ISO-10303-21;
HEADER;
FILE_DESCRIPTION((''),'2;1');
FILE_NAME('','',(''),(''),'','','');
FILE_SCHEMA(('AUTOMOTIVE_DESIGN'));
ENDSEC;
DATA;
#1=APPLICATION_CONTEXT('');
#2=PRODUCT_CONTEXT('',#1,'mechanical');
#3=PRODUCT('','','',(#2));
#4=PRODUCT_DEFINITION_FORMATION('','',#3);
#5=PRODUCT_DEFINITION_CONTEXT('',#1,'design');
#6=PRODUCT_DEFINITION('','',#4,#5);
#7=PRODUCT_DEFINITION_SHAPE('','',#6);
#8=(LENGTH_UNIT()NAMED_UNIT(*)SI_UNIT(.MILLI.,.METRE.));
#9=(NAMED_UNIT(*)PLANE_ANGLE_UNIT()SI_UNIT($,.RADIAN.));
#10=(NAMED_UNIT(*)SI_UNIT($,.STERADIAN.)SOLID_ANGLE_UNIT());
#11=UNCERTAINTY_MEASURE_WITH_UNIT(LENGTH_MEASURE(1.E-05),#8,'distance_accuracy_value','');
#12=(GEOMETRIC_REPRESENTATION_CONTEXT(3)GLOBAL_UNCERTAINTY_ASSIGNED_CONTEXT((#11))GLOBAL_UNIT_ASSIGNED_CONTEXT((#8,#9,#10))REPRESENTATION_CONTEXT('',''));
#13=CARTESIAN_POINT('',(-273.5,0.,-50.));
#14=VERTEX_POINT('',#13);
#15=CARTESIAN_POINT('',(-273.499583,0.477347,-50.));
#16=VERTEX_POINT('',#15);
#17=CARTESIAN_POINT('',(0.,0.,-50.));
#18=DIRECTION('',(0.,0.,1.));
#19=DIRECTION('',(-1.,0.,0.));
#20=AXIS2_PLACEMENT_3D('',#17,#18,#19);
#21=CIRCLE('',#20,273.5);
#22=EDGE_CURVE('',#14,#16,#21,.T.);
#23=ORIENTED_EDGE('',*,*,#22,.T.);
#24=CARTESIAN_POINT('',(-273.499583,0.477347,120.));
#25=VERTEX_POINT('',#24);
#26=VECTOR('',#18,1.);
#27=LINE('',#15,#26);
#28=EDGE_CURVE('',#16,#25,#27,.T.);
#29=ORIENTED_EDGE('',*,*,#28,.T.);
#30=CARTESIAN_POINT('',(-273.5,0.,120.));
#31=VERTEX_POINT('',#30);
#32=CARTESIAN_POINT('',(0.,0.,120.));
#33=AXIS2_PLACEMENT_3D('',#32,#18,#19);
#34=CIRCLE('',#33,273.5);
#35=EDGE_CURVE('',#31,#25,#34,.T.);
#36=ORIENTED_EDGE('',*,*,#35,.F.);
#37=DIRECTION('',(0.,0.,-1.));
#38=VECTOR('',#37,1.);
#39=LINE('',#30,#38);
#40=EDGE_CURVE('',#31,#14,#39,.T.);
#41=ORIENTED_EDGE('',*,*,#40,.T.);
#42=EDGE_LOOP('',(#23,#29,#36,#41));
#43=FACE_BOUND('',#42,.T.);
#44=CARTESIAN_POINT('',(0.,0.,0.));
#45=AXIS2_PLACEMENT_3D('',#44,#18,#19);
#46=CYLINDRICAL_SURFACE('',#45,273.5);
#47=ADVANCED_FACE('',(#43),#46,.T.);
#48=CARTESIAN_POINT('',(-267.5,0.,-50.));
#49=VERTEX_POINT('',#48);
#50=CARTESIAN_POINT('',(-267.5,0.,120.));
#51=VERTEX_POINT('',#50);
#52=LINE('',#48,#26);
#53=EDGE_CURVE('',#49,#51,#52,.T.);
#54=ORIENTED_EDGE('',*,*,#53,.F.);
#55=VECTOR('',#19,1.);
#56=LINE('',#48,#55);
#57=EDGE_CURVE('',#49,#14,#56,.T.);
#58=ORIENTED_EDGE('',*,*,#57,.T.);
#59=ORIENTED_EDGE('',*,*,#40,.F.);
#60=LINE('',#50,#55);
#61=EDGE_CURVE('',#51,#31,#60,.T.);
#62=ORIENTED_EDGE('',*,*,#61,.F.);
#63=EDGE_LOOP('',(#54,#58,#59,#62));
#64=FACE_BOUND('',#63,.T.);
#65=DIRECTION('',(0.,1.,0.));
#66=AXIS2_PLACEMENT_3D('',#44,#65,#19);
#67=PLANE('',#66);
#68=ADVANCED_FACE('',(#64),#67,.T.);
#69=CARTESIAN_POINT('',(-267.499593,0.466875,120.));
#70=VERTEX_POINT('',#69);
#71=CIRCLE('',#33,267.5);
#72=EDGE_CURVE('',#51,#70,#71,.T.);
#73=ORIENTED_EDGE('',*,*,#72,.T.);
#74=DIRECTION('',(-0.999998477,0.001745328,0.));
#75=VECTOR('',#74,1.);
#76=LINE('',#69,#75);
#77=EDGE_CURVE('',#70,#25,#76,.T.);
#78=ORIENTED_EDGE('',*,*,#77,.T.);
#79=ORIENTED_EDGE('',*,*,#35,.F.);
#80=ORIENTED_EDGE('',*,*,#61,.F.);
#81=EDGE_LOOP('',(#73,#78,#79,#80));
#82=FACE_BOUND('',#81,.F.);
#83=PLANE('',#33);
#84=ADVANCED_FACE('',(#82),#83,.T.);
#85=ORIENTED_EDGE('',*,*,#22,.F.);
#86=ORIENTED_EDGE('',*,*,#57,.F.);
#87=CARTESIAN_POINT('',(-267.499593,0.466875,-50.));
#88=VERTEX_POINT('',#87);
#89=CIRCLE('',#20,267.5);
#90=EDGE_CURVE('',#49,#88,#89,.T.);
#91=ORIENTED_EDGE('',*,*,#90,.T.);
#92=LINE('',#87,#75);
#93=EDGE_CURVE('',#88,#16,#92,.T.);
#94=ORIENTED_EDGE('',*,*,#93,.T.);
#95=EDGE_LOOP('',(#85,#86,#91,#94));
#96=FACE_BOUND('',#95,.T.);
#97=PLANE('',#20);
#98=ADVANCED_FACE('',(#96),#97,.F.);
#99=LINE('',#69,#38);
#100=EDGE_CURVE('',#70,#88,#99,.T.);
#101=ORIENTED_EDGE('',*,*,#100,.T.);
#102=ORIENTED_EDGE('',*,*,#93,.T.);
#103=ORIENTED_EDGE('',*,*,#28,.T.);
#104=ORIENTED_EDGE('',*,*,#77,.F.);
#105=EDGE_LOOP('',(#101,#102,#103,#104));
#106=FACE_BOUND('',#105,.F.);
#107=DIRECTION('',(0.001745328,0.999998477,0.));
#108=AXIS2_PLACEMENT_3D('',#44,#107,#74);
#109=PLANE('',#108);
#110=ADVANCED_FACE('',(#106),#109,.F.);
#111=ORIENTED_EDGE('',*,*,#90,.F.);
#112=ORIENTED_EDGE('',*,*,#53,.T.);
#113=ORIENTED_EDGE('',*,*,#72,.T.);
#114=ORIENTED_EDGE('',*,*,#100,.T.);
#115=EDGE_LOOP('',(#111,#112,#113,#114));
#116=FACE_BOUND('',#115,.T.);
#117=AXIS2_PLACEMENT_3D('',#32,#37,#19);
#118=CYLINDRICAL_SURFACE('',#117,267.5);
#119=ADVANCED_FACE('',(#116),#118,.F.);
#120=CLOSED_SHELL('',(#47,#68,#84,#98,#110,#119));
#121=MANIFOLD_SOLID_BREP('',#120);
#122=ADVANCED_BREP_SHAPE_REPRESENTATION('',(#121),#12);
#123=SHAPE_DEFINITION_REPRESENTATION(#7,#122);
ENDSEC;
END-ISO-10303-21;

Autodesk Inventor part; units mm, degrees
ref_plane "YZ Plane" through (0, 0, 0) normal (1, 0, 0) x (0, 1, 0)
ref_plane "XZ Plane" through (0, 0, 0) normal (0, 1, 0) x (-1, 0, 0)
ref_plane "XY Plane" through (0, 0, 0) normal (0, 0, 1) x (1, 0, 0)
sketch "Sketch1" plane through (0, 0, 0) normal (0, 1, 0) x (-1, 0, 0)
  line L0 (267.5, 120) -> (267.5, 0)
  line L1 (267.5, 0) -> (273.5, 0)
  line L2 (0, 0) -> (0, 109.131)
  line L3 (267.5, 120) -> (273.5, 120)
  line L4 (273.5, 0) -> (273.5, 120)
  line L5 (273.5, 0) -> (267.5, 0)
  line L6 (267.5, 0) -> (267.5, -50)
  line L7 (267.5, -50) -> (273.5, -50)
  line L8 (273.5, -50) -> (273.5, 0)
  point P0 (270.5, 0)
  point P1 (273.5, 0)
  point P2 (267.5, 0)
  dimension "d6" = 359.9
  dimension "d3" = 6
  dimension "d4" = 535
  dimension "d5" = 120
  dimension "d7" = 6
  dimension "d8" = 50
revolve "Revolution1" add sketch "Sketch1" angle 359.9 about axis through (0, 0, 0) along (0, 0, 1)
sketch "Sketch2" plane through (0, 0, 0) normal (0, 1, 0) x (-1, 0, 0)
  circle A0 centre (0, -476) radius 476
  point P0 (0, 0)
  dimension "d6" = 359.9
  dimension "d9" = 952
extrude "Extrusion1" [suppressed]
equation "\"d4\" = Accsess_hatch_diameter"
equation "\"d5\" = Accsess_hatch_lenght"
equation "\"d7\" = d3"
equation "\"Accsess_hatch_lenght\" = 120"
equation "\"Accsess_hatch_diameter\" = 535"
equation "\"BendRadius\" = Thickness"
equation "\"BendReliefWidth\" = Thickness"
equation "\"BendReliefDepth\" = 0.5 * Thickness"
equation "\"CornerReliefSize\" = 4 * Thickness"
equation "\"MinimumRemnant\" = 2 * Thickness"
equation "\"TransitionRadius\" = BendRadius"
equation "\"JacobiRadiusSize\" = BendRadius"
equation "\"GapSize\" = Thickness"
equation "\"Thickness\" = 6"
properties part number "PRS 8103 accses hatch tube_D940"
